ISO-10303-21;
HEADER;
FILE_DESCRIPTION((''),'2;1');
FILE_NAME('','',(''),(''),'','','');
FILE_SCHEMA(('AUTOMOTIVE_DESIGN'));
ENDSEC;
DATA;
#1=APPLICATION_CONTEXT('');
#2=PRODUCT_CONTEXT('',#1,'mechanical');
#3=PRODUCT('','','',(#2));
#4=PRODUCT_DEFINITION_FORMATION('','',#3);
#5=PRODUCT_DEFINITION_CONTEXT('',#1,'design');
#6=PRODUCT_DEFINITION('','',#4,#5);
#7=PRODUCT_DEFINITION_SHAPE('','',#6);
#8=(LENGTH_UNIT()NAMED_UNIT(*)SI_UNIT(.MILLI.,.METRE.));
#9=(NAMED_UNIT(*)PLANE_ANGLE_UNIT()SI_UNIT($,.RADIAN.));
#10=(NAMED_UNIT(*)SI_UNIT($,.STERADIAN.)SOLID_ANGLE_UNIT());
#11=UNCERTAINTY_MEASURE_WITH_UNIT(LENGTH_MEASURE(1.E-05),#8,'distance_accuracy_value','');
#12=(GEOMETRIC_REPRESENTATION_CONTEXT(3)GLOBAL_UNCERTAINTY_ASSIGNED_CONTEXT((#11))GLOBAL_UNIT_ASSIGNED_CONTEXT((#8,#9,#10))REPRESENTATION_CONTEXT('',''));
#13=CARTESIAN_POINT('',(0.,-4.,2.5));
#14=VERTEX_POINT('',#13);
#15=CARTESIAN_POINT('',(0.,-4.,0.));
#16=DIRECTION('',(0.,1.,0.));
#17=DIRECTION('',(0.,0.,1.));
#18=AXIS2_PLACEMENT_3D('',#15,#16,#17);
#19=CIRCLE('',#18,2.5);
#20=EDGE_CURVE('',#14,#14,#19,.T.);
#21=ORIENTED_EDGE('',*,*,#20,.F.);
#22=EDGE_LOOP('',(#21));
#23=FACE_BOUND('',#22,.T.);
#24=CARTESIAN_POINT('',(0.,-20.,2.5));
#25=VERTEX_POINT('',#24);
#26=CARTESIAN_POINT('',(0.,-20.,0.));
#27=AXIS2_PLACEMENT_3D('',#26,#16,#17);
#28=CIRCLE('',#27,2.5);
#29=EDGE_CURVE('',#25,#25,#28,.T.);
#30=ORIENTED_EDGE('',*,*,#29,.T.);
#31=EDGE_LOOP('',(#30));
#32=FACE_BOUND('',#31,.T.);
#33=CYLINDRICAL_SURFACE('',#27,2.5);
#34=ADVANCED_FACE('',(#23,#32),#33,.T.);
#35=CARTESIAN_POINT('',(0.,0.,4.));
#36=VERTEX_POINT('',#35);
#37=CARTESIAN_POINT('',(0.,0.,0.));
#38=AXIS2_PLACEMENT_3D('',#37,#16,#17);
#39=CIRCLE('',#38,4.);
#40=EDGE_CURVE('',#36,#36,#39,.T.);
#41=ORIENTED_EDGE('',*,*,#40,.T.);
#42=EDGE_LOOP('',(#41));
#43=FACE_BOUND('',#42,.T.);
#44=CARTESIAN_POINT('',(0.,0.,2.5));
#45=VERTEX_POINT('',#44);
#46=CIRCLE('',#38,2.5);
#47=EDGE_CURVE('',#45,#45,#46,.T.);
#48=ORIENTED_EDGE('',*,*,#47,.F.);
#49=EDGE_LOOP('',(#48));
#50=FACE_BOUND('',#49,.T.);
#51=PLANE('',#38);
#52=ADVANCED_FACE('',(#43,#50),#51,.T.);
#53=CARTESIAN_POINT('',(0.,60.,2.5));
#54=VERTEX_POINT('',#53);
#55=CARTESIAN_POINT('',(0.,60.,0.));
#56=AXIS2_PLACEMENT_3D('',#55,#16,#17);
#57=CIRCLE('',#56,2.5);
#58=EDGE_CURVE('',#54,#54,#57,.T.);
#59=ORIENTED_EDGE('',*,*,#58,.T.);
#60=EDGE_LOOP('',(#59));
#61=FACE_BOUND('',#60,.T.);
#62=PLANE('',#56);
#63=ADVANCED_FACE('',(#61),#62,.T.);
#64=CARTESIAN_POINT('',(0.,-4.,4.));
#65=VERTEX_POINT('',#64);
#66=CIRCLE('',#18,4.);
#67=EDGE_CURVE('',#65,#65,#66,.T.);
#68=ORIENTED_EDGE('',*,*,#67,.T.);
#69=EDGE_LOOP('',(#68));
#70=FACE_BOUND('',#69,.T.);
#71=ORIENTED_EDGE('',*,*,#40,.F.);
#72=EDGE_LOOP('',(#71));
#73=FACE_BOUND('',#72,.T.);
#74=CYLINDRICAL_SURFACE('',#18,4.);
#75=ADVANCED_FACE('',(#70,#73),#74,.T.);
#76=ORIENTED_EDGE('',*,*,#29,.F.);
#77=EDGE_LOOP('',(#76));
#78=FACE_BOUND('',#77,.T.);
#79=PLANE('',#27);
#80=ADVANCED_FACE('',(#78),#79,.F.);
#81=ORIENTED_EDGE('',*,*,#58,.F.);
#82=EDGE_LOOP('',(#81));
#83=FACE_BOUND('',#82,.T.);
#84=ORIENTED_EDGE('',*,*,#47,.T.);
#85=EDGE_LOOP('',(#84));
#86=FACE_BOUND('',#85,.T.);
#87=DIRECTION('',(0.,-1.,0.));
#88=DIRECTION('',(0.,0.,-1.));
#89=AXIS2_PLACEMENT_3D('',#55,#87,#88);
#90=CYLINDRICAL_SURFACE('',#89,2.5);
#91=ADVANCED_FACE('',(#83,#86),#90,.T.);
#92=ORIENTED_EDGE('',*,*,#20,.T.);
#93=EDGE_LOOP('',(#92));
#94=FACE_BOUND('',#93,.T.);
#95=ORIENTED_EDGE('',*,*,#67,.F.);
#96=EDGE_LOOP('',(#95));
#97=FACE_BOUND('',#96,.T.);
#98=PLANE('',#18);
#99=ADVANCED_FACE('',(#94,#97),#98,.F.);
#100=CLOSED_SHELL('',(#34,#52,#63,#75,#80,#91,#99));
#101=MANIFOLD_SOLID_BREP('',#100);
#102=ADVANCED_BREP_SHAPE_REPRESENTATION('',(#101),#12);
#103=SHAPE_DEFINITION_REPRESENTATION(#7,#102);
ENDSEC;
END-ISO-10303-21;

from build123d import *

# Parameters (mm, degrees)
SKETCH1_R           = 2.5
BOSS_EXTRUDE1_DEPTH = 60
SKETCH2_R           = 4
BOSS_EXTRUDE2_DEPTH = 4
BOSS_EXTRUDE3_START = -20
SKETCH3_R           = 2.5
BOSS_EXTRUDE3_DEPTH = 20


with BuildPart() as part:
    # Sketch1 → Boss-Extrude1 (new body)
    with BuildSketch(Plane(origin=(0, 0, 0), x_dir=(1, 0, 0), z_dir=(0, 1, 0))):
        with Locations(Location((0, 0, 0), (0, 0, 270))):
            Circle(SKETCH1_R)
    extrude(amount=BOSS_EXTRUDE1_DEPTH)

    # Sketch2 → Boss-Extrude2 (add)
    with BuildSketch(Plane(origin=(0, 0, 0), x_dir=(1, 0, 0), z_dir=(0, 1, 0))):
        with Locations(Location((0, 0, 0), (0, 0, 270))):
            Circle(SKETCH2_R)
    extrude(amount=-BOSS_EXTRUDE2_DEPTH)

    # Sketch3 → Boss-Extrude3 (add)
    with BuildSketch(Plane(origin=(0, 0, 0), x_dir=(1, 0, 0), z_dir=(0, 1, 0)).offset(BOSS_EXTRUDE3_START)):
        with Locations(Location((0, 0, 0), (0, 0, 270))):
            Circle(SKETCH3_R)
    extrude(amount=BOSS_EXTRUDE3_DEPTH)


solid = part.part
